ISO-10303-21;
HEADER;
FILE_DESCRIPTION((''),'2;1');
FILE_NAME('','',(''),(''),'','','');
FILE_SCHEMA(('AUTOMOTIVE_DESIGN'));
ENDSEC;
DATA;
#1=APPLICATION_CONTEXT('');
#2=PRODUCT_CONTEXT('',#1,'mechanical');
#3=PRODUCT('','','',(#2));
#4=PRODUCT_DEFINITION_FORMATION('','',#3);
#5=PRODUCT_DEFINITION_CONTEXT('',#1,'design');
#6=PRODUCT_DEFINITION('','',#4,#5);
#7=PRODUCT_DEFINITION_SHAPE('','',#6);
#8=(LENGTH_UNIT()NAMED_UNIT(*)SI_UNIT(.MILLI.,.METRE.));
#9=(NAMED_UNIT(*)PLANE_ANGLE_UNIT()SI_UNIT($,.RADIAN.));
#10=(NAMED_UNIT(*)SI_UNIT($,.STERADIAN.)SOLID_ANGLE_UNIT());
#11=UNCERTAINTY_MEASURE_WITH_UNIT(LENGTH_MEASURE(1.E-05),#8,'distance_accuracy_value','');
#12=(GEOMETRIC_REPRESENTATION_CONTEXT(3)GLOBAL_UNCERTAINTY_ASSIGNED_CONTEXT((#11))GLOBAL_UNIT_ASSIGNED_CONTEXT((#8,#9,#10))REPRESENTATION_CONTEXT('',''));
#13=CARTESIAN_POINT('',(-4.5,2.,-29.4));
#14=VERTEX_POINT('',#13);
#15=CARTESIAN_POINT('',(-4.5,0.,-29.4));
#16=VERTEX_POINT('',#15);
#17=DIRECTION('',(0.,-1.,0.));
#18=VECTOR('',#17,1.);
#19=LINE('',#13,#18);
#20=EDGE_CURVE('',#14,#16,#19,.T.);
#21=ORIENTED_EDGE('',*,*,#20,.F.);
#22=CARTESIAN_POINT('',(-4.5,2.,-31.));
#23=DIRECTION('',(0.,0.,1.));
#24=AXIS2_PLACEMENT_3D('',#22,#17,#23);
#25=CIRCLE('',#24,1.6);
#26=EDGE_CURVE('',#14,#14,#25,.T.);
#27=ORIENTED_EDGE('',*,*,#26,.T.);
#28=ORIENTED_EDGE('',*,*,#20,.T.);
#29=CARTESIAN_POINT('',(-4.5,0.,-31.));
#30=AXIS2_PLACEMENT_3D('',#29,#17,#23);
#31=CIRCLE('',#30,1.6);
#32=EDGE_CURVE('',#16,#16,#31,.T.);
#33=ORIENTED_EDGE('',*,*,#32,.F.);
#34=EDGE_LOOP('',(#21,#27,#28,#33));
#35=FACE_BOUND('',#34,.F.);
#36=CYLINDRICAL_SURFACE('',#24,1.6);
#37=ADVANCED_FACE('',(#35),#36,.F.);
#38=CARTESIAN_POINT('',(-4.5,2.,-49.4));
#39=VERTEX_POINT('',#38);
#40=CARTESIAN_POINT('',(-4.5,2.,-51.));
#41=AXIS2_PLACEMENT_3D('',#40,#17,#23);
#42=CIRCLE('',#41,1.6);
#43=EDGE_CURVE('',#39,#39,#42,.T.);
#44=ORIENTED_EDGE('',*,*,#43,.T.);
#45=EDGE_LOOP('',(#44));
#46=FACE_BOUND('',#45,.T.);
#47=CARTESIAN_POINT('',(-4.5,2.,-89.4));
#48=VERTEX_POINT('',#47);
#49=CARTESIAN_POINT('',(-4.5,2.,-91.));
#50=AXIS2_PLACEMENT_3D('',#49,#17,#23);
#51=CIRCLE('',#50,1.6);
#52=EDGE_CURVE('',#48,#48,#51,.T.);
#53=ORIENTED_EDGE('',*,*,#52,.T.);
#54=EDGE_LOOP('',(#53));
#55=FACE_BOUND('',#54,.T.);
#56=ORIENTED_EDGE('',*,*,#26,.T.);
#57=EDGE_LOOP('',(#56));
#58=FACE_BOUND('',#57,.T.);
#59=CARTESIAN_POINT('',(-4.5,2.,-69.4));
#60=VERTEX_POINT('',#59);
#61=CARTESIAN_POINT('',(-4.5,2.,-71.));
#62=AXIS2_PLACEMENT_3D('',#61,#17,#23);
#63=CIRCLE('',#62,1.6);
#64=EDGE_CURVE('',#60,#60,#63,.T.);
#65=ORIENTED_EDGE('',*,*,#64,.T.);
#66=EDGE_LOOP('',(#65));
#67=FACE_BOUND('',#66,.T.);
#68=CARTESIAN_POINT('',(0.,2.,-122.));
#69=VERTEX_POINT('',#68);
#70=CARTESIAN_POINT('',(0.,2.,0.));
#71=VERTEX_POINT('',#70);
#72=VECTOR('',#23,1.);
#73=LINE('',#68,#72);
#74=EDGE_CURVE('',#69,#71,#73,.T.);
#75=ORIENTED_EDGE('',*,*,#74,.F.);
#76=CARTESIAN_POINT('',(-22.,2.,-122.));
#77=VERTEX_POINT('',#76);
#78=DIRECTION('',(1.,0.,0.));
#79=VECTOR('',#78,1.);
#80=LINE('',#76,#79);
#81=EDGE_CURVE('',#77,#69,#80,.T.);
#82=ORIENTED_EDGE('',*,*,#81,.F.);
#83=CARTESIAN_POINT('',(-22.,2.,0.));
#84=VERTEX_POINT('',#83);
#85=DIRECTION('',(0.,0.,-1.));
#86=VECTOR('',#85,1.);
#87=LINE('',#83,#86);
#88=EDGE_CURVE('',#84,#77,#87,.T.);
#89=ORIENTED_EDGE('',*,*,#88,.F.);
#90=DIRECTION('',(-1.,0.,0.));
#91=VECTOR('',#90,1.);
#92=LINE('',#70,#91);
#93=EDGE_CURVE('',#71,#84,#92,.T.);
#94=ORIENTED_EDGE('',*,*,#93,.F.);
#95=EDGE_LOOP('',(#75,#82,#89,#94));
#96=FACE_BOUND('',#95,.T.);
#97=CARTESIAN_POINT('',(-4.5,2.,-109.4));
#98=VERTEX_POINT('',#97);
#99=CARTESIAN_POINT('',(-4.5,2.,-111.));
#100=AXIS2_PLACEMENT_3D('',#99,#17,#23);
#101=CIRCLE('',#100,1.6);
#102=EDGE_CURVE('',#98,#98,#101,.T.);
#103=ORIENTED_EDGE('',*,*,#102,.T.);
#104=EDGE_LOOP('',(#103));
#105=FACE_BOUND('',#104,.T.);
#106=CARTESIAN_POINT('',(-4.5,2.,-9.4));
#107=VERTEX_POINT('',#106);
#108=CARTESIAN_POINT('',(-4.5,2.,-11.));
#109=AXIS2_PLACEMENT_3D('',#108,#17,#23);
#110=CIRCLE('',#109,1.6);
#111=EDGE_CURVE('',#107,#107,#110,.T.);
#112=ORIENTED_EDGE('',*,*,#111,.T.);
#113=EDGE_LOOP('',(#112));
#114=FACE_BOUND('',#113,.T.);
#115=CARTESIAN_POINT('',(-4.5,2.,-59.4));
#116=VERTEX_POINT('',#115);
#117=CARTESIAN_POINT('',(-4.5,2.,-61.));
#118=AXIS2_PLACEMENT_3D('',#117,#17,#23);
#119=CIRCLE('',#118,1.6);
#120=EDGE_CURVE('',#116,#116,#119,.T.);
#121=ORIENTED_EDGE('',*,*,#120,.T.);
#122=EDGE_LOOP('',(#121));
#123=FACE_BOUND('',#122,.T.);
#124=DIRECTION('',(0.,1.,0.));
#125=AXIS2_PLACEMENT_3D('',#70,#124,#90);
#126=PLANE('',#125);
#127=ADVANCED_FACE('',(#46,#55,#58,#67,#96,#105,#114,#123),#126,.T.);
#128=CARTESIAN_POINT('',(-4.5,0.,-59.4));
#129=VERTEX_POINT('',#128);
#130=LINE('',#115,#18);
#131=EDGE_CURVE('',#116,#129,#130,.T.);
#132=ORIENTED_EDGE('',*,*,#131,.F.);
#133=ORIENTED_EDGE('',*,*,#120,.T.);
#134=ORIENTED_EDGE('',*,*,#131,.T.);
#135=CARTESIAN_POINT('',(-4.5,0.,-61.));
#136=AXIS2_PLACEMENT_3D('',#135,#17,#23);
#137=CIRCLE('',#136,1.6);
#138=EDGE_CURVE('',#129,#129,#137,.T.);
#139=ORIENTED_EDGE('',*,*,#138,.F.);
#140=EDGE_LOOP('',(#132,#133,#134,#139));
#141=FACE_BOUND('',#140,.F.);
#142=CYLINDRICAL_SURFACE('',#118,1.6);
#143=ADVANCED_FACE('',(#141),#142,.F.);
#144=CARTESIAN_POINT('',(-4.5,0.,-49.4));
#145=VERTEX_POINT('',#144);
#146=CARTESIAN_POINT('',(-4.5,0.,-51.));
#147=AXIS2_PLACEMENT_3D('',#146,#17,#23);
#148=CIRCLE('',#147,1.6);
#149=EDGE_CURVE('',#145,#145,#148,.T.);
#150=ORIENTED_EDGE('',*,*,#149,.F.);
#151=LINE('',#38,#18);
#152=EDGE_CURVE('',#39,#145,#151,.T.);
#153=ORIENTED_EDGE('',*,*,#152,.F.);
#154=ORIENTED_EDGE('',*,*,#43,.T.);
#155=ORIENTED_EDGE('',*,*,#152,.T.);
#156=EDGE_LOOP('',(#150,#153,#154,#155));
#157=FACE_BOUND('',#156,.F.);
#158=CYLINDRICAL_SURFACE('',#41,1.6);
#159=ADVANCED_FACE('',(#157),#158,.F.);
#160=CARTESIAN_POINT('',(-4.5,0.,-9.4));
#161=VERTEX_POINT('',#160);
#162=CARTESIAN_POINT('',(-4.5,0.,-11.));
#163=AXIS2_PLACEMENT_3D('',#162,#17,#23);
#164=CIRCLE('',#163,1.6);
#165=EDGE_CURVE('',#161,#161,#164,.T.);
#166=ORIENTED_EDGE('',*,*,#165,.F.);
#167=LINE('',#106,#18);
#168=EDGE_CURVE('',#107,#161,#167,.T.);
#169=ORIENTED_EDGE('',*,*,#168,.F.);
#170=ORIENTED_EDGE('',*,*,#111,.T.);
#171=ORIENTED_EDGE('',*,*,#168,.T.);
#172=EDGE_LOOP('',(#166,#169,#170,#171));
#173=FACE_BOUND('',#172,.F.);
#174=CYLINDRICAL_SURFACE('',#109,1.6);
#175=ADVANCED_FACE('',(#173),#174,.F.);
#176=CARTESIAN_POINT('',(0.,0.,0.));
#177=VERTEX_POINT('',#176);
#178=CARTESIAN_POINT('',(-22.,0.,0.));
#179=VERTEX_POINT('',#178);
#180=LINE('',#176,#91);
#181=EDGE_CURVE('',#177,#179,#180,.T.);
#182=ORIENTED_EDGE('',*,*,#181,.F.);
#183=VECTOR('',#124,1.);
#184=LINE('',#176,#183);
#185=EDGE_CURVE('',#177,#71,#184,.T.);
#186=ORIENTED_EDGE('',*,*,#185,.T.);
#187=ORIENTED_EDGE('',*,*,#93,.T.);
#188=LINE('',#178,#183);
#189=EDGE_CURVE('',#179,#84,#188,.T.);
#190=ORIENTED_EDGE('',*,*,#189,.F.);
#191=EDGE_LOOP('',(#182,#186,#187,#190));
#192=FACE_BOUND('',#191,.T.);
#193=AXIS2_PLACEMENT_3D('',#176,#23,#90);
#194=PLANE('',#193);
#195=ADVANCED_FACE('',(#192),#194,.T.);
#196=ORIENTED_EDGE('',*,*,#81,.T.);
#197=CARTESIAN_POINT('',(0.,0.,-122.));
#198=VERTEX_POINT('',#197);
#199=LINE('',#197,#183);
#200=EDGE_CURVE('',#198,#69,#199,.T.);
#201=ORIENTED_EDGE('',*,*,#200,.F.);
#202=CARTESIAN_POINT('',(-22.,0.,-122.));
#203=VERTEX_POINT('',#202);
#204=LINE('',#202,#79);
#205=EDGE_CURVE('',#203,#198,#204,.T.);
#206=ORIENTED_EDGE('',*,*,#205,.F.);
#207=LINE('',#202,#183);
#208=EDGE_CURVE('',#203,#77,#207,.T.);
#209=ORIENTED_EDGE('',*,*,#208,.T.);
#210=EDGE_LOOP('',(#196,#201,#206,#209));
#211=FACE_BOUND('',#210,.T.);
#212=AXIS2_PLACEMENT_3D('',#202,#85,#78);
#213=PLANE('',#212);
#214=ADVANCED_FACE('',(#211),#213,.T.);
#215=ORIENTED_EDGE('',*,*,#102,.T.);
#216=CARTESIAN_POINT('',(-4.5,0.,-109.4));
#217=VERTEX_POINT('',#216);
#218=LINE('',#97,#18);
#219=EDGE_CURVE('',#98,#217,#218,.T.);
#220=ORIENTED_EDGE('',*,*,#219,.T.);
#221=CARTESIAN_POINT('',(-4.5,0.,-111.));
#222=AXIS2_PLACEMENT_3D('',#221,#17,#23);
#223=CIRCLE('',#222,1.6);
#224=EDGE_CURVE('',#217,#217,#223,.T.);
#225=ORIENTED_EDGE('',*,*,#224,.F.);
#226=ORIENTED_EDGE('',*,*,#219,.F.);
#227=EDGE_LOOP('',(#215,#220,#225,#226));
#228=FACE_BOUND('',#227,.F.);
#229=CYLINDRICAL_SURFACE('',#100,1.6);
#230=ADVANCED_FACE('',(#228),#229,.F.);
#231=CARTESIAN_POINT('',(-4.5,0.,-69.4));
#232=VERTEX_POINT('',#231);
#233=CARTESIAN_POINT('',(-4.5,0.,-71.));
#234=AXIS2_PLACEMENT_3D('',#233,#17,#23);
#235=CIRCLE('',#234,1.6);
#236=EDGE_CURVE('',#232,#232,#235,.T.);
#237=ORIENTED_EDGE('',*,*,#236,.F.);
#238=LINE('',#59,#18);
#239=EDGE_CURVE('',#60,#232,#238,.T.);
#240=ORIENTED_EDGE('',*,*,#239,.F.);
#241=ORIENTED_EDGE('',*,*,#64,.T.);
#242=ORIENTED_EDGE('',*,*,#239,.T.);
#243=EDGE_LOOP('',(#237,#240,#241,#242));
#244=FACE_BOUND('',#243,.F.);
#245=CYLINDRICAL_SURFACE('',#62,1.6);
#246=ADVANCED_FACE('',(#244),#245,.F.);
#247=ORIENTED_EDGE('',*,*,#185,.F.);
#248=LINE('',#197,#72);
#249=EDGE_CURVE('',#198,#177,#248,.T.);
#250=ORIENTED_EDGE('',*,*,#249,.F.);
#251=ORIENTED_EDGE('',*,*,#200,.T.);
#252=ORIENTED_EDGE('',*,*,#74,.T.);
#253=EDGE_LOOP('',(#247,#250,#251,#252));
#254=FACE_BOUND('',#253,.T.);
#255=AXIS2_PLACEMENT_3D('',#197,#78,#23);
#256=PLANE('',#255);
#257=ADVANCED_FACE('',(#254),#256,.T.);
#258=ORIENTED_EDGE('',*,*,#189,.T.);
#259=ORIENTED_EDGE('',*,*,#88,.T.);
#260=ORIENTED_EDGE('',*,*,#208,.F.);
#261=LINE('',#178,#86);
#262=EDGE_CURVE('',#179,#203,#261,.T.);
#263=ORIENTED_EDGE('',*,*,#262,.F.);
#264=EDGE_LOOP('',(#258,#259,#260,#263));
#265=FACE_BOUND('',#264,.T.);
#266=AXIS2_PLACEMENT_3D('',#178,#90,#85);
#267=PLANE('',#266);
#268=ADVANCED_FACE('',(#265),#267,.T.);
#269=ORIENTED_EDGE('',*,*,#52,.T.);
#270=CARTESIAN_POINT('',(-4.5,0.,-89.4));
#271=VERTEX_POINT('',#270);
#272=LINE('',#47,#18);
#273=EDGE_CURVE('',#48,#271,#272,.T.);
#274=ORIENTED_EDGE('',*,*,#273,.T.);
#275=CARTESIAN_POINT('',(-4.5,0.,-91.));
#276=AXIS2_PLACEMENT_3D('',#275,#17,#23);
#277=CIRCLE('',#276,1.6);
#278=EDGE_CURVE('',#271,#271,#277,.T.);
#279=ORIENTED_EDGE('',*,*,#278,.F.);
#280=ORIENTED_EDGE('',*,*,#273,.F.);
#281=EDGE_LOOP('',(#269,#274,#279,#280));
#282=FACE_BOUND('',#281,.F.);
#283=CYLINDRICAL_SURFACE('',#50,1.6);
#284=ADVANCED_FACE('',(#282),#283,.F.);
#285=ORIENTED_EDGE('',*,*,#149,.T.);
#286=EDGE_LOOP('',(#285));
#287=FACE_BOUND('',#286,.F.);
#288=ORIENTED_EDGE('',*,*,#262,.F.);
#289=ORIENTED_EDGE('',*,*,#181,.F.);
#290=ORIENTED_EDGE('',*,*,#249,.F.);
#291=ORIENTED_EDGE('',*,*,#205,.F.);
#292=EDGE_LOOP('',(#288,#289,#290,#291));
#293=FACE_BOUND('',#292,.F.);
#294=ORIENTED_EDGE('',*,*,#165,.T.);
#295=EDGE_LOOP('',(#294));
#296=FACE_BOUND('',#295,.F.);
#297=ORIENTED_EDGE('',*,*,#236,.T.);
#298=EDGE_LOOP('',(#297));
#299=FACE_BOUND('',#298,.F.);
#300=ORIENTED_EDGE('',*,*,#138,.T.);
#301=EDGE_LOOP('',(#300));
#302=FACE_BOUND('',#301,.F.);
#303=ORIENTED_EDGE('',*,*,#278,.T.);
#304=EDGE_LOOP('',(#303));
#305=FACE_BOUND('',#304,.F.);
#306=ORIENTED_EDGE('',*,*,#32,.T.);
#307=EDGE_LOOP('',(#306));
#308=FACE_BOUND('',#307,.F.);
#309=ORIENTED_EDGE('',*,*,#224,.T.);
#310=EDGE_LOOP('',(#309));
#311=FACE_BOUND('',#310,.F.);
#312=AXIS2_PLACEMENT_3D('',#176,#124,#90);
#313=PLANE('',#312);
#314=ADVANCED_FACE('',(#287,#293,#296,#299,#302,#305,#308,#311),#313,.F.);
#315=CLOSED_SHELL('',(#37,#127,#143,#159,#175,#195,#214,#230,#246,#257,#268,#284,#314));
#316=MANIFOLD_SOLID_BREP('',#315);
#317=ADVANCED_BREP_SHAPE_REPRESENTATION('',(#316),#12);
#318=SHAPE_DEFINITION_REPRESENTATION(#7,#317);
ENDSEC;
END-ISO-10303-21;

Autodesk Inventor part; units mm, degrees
ref_plane "YZ Plane" through (0, 0, 0) normal (1, 0, 0) x (0, 1, 0)
ref_plane "XZ Plane" through (0, 0, 0) normal (0, 1, 0) x (-1, 0, 0)
ref_plane "XY Plane" through (0, 0, 0) normal (0, 0, 1) x (1, 0, 0)
sketch "スケッチ1" plane through (0, 0, 0) normal (0, 1, 0) x (-1, 0, 0)
  line L0 (0, 0) -> (22, 0)
  line L1 (22, 0) -> (22, -122)
  line L2 (22, -122) -> (0, -122)
  line L3 (0, -122) -> (0, 0)
  dimension "d0" = 22
  dimension "d1" = 122
extrude "押し出し1" add sketch "スケッチ1" along normal blind 2
sketch "スケッチ2" plane through (0, 2, 0) normal (0, 1, 0) x (1, 0, 0)
  line L0 (0, 0) -> (0, 122) projected
  line L1 (-22, 0) -> (0, 0) projected
  line L2 (0, 122) -> (-22, 122) projected
  point P0 (-4.5, 11)
  point P1 (-4.5, 31)
  point P2 (-4.5, 51)
  point P3 (-4.5, 61)
  point P4 (-4.5, 71)
  point P5 (-4.5, 91)
  point P6 (-4.5, 111)
  dimension "d13" = 4.5
  dimension "d14" = 20
  dimension "d16" = 11
  dimension "d17" = 20
  dimension "d18" = 10
  dimension "d19" = 10
  dimension "d20" = 20
  dimension "d21" = 20
  dimension "d22" = 11
hole "穴1" at (-4.5, 2, -11) at (-4.5, 2, -31) at (-4.5, 2, -51) at (-4.5, 2, -61) at (-4.5, 2, -71) at (-4.5, 2, -91) at (-4.5, 2, -111) direction (0, -1, 0) diameter 3.2 depth 3
properties part number "sensorPCB" material "エポキシ樹脂"
